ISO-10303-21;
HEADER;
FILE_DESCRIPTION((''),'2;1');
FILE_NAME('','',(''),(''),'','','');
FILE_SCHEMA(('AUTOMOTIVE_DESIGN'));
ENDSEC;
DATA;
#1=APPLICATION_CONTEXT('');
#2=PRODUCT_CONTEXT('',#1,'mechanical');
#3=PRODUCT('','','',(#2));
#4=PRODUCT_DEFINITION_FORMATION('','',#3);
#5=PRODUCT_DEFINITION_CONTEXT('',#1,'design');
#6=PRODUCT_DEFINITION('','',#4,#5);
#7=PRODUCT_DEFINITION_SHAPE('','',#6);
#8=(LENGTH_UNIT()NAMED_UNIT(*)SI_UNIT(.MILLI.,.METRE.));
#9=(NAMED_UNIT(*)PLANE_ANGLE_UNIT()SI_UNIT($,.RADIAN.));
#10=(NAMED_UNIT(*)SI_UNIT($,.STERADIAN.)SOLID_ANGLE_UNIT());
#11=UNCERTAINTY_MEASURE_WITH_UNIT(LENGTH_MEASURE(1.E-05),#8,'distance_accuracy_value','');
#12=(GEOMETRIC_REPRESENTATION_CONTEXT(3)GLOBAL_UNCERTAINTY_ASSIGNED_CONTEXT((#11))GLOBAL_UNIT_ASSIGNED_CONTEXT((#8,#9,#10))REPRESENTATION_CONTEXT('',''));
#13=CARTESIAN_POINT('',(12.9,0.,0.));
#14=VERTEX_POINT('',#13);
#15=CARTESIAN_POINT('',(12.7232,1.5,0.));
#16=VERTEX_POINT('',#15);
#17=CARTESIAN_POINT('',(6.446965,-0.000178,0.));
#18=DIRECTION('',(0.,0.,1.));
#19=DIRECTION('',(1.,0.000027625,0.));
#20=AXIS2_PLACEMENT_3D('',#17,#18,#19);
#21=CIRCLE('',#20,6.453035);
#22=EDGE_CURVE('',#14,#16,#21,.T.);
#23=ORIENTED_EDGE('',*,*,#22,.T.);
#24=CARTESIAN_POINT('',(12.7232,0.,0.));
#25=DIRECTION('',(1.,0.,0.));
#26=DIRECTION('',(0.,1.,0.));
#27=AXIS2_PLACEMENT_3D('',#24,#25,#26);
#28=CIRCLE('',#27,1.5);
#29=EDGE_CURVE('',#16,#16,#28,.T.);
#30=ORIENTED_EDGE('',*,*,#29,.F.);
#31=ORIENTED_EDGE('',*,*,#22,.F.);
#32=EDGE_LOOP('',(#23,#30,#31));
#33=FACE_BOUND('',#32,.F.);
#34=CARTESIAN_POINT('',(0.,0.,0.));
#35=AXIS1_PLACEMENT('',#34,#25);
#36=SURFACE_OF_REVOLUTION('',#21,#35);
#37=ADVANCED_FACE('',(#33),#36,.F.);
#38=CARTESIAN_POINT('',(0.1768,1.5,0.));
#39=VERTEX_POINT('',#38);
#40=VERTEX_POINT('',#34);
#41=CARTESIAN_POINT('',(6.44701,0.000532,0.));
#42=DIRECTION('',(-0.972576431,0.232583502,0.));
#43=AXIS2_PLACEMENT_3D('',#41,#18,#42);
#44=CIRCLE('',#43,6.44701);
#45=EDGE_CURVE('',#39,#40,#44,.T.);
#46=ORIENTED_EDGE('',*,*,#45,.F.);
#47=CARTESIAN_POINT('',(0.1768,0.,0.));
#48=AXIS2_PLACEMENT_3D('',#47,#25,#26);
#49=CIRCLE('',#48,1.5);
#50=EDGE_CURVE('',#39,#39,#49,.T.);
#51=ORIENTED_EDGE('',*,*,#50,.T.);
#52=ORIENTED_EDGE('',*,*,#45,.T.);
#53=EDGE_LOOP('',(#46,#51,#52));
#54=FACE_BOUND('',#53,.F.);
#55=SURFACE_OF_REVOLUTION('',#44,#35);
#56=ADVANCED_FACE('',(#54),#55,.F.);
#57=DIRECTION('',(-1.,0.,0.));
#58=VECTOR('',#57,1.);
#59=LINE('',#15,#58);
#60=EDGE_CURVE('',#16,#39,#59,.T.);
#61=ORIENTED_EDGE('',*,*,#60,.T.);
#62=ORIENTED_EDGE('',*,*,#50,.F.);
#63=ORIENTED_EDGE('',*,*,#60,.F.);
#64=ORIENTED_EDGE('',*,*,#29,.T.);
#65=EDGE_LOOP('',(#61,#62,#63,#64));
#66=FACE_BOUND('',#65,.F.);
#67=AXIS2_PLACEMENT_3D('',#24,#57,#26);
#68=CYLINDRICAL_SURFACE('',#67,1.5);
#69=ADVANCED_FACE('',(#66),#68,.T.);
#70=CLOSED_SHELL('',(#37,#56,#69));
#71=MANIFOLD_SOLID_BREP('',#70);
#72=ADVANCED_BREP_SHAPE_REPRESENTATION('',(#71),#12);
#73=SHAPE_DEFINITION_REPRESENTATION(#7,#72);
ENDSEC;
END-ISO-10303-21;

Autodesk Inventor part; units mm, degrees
ref_plane "YZ Plane" through (0, 0, 0) normal (1, 0, 0) x (0, 1, 0)
ref_plane "XZ Plane" through (0, 0, 0) normal (0, 1, 0) x (-1, 0, 0)
ref_plane "XY Plane" through (0, 0, 0) normal (0, 0, 1) x (1, 0, 0)
sketch "Sketch1" plane through (0, 0, 0) normal (0, 0, 1) x (1, 0, 0)
  line L0 (0, 0) -> (12.9, 0)
  line L1 (12.7232, 1.5) -> (0.1768, 1.5)
  arc A0 (12.9, 0) -> (12.7232, 1.5) centre (6.45, 0) ccw
  arc A1 (0.1768, 1.5) -> (0, 0) centre (6.45, 0) ccw
revolve "Revolution1" add sketch "Sketch1" angle 360 about axis through (0, 0, 0) along (1, 0, 0)
properties part number "pin"
